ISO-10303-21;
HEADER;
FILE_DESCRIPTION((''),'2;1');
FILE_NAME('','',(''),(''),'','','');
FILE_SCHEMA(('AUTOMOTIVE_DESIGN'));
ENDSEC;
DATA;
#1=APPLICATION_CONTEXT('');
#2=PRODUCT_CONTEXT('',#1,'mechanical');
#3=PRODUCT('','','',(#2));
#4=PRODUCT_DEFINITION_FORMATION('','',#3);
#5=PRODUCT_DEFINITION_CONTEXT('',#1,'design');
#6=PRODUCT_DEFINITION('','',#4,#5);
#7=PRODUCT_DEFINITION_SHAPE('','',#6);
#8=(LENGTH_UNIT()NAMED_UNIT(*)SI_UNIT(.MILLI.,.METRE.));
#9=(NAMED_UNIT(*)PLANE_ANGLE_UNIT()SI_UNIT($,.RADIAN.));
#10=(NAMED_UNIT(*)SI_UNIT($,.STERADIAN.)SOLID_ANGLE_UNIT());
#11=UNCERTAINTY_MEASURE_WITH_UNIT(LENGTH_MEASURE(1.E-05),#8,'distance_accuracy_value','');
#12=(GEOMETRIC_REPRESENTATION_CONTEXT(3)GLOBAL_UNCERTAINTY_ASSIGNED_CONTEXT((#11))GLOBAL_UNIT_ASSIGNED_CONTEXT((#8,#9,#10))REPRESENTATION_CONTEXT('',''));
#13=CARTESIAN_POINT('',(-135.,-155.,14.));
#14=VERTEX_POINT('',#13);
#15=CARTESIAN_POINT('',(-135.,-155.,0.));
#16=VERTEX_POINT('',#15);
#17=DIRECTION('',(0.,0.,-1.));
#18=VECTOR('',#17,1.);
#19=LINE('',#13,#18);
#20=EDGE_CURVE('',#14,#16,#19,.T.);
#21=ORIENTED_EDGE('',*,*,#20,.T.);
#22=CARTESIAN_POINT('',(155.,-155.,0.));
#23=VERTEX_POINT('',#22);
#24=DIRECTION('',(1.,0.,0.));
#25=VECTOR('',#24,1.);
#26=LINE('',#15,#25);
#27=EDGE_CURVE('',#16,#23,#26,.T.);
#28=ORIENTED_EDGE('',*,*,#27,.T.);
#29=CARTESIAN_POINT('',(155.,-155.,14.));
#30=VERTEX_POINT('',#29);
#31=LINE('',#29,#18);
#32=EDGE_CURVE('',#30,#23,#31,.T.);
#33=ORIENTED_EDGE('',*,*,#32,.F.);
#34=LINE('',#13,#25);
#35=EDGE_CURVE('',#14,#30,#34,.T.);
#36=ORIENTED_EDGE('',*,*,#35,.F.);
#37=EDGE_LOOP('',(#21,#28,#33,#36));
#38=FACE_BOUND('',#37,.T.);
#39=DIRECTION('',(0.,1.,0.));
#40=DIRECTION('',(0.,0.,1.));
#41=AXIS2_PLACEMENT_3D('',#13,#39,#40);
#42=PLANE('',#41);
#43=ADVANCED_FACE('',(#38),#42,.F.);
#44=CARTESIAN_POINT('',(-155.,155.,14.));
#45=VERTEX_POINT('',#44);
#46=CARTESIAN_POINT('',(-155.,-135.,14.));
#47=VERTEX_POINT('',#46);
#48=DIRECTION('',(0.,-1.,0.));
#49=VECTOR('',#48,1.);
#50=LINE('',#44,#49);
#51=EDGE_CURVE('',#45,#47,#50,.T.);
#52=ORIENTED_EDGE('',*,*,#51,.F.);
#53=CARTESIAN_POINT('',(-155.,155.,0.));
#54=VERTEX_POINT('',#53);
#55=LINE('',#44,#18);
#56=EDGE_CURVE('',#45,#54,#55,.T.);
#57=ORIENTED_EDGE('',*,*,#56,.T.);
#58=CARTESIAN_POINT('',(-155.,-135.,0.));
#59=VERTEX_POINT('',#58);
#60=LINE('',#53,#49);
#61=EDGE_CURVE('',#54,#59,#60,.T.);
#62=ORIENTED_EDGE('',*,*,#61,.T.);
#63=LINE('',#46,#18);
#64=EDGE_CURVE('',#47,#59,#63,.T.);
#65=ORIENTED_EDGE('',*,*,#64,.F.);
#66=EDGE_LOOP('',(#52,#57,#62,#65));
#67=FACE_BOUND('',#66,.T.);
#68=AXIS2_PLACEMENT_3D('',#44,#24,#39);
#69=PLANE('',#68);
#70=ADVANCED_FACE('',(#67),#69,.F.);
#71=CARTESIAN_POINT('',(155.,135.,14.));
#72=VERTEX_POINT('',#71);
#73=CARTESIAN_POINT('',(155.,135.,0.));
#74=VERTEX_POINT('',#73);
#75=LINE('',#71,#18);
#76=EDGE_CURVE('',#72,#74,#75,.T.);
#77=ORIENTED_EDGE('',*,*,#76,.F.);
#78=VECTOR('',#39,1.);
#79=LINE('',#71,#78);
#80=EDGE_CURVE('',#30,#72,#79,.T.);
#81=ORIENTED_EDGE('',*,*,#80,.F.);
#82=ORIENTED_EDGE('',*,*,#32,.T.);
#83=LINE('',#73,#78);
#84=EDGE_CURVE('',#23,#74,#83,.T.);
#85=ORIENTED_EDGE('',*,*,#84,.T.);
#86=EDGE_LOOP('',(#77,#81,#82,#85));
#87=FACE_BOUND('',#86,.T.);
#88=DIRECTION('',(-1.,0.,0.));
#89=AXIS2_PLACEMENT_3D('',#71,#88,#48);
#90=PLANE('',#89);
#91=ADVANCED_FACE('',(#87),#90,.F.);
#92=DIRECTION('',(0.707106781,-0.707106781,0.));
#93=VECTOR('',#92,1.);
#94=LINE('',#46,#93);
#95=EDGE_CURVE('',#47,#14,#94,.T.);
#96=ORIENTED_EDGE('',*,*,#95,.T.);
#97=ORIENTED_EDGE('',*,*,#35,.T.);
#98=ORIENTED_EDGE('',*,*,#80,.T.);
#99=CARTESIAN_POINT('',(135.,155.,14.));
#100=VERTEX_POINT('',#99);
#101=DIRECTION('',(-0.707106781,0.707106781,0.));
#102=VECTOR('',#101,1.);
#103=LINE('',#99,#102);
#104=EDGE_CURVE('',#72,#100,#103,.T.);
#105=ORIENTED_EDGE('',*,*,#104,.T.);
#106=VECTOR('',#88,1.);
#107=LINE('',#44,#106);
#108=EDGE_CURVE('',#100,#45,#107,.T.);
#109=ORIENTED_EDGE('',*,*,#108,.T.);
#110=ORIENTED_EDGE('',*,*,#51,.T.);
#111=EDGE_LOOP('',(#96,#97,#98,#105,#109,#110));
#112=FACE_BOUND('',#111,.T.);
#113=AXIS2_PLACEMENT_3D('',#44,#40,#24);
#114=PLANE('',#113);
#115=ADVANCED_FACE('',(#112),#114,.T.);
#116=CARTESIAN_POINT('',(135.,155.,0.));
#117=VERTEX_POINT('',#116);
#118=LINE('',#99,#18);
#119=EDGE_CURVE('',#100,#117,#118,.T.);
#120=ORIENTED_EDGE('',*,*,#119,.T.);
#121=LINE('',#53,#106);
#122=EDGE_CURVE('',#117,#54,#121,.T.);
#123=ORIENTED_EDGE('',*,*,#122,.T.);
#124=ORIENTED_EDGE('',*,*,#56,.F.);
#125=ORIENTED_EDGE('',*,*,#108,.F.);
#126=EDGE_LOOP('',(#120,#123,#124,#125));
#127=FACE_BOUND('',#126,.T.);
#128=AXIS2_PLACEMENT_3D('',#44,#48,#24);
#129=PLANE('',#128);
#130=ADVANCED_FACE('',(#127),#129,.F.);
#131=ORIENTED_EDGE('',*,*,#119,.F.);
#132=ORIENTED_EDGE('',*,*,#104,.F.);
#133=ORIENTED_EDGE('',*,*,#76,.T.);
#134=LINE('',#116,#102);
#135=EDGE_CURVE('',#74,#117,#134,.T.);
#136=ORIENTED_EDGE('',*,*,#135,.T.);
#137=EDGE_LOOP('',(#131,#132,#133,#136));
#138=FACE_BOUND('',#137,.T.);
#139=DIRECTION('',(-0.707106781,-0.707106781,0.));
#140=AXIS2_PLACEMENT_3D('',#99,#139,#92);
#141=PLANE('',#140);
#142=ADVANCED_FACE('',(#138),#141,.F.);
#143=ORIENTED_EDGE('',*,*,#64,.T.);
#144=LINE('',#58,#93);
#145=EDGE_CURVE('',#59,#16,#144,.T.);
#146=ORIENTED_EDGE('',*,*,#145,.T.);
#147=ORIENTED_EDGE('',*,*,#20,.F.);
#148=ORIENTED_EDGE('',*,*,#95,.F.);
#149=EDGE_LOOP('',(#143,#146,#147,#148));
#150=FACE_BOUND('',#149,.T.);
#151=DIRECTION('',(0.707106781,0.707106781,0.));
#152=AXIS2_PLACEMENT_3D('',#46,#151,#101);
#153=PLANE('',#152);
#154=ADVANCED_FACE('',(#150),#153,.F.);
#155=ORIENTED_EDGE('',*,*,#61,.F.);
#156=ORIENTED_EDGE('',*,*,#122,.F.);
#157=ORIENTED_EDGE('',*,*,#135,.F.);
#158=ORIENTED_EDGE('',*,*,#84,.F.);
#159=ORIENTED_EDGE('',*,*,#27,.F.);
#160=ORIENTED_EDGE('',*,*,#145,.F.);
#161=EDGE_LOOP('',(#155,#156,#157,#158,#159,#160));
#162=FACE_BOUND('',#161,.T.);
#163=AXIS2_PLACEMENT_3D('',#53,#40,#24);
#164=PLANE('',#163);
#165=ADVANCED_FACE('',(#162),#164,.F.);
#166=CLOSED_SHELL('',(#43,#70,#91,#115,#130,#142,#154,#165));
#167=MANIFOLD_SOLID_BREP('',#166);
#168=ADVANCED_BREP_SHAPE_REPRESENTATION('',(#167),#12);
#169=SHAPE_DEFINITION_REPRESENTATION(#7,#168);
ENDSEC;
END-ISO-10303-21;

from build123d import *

# Parameters (mm, degrees)
EXTRUDE_1092_DEPTH = 14


with BuildPart() as part:
    # 草图1 → Extrude 1092 (new body)
    with BuildSketch(Plane.XY):
        Polygon((135, 155), (155, 135), (155, -155), (-135, -155), (-155, -135), (-155, 155), align=None)
    extrude(amount=EXTRUDE_1092_DEPTH)


solid = part.part
